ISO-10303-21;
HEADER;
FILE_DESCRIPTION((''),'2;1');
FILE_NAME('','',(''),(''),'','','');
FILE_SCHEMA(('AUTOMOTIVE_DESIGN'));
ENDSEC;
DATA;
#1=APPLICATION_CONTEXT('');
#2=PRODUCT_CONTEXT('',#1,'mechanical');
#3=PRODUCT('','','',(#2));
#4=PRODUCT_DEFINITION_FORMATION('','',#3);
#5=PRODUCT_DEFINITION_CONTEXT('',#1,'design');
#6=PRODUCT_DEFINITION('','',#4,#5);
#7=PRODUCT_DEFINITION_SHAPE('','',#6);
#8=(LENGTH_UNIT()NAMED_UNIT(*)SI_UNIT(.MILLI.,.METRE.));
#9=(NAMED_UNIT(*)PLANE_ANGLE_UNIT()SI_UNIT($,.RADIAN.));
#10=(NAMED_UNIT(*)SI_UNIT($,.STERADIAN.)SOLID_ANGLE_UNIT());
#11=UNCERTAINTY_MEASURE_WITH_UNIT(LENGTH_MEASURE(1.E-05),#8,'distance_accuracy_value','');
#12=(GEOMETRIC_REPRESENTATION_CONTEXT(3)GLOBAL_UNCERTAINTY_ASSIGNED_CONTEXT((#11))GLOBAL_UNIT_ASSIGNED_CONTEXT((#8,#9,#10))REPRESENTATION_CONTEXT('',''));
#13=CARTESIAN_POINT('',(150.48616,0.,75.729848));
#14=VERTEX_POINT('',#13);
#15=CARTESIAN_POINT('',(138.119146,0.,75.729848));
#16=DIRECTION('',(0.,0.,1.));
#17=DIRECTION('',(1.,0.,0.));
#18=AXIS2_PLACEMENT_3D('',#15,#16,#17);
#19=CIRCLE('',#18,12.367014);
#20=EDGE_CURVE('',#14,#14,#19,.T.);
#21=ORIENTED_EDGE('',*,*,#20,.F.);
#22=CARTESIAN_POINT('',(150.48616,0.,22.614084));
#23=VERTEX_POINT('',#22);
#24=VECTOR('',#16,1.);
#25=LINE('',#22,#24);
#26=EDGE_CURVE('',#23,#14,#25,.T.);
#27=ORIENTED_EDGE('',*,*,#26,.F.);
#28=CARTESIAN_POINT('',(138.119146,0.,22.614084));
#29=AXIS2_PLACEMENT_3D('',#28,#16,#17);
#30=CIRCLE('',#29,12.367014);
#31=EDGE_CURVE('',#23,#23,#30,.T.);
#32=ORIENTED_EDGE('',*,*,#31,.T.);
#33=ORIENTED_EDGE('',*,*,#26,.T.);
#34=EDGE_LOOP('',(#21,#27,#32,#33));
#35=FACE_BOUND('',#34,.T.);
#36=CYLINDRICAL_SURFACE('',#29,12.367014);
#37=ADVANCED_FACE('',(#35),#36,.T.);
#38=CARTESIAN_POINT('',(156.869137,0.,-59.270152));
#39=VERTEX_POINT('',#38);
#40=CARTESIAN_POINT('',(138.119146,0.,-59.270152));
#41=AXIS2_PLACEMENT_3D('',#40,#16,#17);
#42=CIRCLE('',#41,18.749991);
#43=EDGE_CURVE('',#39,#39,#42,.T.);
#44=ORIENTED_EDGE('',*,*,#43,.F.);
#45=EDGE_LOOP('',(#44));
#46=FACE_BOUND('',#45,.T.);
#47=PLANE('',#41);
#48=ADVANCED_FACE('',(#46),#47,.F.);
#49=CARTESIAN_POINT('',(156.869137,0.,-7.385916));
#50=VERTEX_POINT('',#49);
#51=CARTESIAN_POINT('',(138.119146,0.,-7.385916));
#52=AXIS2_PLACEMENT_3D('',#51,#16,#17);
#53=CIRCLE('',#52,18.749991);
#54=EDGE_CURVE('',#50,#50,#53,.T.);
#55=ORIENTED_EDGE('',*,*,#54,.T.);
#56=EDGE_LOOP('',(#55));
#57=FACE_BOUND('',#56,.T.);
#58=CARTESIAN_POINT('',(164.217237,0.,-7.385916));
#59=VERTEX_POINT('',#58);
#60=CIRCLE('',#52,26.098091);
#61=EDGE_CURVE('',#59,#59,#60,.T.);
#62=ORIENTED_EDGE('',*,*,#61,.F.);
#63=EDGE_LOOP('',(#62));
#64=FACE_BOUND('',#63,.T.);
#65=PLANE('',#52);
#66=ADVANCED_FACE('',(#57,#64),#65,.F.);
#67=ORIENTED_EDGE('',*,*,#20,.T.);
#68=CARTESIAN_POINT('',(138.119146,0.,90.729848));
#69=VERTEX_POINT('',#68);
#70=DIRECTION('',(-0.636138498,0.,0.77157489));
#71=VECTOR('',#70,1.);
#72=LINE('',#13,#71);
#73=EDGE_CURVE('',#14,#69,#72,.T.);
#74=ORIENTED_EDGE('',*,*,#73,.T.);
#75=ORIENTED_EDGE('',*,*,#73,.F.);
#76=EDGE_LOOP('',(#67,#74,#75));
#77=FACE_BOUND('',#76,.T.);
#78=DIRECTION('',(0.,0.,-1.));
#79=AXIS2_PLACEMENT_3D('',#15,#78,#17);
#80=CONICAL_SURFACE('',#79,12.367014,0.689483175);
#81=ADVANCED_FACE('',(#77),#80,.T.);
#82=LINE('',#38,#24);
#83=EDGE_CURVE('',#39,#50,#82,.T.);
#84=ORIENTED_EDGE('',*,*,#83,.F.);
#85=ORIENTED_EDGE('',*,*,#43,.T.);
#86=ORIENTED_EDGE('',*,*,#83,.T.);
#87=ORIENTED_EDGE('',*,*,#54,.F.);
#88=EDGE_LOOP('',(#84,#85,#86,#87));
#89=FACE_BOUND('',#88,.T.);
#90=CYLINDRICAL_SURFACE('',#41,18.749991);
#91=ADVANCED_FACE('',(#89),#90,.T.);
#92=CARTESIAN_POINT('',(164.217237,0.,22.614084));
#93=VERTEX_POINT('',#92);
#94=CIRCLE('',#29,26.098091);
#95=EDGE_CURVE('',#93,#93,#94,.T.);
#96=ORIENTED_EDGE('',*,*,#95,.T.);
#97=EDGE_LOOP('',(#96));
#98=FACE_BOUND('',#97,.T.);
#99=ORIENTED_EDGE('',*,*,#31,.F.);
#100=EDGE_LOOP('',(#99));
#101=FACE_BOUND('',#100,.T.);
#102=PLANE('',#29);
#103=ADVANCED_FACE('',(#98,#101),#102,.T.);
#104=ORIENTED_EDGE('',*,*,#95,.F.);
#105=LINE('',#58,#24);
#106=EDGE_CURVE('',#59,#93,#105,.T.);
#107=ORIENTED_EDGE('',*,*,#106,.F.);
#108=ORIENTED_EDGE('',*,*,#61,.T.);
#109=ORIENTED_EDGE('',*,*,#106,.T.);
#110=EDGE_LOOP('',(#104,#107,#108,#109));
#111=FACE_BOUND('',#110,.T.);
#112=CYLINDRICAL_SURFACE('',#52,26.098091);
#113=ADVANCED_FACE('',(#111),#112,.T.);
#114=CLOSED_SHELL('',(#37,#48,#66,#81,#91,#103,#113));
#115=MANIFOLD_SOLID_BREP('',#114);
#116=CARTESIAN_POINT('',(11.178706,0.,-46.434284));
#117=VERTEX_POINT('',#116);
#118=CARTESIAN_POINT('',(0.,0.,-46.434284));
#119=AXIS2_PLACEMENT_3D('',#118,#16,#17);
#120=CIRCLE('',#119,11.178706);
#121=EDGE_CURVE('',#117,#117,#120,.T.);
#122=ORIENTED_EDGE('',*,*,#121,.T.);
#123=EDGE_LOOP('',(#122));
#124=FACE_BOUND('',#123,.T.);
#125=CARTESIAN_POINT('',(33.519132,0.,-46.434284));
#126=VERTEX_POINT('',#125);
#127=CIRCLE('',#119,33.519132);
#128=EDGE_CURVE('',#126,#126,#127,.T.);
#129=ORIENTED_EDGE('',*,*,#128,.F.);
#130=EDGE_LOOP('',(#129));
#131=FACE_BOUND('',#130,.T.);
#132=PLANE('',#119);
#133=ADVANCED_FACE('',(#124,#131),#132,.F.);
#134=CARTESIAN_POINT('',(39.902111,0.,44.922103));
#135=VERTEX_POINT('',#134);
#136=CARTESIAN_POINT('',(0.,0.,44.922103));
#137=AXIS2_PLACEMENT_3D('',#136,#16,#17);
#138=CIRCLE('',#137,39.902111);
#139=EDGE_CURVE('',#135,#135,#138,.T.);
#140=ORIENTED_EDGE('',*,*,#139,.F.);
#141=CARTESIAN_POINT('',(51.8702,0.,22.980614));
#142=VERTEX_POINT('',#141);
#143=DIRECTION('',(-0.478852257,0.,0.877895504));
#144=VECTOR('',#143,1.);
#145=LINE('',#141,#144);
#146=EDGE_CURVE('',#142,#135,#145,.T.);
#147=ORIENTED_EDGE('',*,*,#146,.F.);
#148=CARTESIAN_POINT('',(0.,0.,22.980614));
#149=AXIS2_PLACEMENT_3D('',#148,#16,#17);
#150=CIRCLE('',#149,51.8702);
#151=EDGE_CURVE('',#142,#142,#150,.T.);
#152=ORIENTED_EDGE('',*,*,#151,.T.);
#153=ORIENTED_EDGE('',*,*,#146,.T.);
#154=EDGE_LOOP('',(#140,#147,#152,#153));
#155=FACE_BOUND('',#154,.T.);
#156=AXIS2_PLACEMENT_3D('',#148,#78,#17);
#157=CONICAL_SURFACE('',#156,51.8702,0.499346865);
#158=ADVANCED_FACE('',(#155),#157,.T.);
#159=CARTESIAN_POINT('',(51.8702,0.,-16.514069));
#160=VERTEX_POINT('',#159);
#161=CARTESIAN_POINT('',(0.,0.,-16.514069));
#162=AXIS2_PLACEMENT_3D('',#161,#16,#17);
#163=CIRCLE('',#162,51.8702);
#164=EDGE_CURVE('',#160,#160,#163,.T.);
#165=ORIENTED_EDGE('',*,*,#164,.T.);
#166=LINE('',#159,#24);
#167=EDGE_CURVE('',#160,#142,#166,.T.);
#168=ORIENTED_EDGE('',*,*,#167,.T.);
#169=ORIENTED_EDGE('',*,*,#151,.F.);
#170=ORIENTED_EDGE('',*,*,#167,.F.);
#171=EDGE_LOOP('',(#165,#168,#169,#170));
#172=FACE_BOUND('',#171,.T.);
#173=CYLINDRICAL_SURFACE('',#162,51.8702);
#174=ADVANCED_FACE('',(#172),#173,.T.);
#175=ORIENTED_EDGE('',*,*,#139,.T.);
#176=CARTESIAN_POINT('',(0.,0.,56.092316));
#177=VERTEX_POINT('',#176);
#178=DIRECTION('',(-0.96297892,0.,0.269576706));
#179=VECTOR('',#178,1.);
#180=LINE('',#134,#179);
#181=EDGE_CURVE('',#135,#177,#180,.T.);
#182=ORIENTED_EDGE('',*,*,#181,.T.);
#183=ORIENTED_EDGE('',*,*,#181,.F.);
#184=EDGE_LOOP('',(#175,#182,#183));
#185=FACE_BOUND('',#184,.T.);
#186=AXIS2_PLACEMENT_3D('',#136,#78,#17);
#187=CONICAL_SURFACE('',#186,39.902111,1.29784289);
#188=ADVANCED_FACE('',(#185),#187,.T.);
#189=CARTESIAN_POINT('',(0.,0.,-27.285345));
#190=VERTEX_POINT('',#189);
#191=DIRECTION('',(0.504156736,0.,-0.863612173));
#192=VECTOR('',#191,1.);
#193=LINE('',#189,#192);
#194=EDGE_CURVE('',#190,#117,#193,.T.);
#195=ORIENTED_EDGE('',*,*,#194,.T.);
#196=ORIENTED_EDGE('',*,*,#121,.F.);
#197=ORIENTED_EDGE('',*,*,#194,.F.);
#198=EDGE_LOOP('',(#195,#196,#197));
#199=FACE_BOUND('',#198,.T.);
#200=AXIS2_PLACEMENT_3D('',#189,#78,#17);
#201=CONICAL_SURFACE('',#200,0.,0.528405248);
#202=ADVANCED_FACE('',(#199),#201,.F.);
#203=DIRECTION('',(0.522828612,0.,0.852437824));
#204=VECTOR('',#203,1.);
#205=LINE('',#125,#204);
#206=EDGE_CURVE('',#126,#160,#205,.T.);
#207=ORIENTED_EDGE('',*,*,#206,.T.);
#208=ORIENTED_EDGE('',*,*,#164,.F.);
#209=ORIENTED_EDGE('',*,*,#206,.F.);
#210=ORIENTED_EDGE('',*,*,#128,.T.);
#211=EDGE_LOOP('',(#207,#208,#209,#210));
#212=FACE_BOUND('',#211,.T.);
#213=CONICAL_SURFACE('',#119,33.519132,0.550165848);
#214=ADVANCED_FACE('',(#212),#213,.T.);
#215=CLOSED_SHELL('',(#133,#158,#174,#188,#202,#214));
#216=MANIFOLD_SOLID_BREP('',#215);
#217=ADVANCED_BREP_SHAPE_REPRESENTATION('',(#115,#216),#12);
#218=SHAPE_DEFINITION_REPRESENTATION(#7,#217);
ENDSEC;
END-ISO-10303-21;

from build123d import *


with BuildPart() as f1:
    # F0 (on Front) → F1 (revolve)
    with BuildSketch(Plane.XZ):
        Polygon((39.902111, 44.922103), (0, 56.092316), (0, -27.285345), (11.178706, -46.434284), (33.519132, -46.434284), (51.8702, -16.514069), (51.8702, 22.980614), align=None)
    revolve(axis=Axis((0, 0, 14.403486), (0, 0, 1)))


with BuildPart() as f2:
    # F0 (on Front) → F2 (revolve)
    with BuildSketch(Plane.XZ):
        Polygon((150.48616, 75.729848), (138.119146, 90.729848), (138.119146, -59.270152), (156.869137, -59.270152), (156.869137, -7.385916), (164.217237, -7.385916), (164.217237, 22.614084), (150.48616, 22.614084), align=None)
    revolve(axis=Axis((138.119146, 0, 15.729848), (0, 0, 1)))


solid = Compound([f1.part, f2.part])
